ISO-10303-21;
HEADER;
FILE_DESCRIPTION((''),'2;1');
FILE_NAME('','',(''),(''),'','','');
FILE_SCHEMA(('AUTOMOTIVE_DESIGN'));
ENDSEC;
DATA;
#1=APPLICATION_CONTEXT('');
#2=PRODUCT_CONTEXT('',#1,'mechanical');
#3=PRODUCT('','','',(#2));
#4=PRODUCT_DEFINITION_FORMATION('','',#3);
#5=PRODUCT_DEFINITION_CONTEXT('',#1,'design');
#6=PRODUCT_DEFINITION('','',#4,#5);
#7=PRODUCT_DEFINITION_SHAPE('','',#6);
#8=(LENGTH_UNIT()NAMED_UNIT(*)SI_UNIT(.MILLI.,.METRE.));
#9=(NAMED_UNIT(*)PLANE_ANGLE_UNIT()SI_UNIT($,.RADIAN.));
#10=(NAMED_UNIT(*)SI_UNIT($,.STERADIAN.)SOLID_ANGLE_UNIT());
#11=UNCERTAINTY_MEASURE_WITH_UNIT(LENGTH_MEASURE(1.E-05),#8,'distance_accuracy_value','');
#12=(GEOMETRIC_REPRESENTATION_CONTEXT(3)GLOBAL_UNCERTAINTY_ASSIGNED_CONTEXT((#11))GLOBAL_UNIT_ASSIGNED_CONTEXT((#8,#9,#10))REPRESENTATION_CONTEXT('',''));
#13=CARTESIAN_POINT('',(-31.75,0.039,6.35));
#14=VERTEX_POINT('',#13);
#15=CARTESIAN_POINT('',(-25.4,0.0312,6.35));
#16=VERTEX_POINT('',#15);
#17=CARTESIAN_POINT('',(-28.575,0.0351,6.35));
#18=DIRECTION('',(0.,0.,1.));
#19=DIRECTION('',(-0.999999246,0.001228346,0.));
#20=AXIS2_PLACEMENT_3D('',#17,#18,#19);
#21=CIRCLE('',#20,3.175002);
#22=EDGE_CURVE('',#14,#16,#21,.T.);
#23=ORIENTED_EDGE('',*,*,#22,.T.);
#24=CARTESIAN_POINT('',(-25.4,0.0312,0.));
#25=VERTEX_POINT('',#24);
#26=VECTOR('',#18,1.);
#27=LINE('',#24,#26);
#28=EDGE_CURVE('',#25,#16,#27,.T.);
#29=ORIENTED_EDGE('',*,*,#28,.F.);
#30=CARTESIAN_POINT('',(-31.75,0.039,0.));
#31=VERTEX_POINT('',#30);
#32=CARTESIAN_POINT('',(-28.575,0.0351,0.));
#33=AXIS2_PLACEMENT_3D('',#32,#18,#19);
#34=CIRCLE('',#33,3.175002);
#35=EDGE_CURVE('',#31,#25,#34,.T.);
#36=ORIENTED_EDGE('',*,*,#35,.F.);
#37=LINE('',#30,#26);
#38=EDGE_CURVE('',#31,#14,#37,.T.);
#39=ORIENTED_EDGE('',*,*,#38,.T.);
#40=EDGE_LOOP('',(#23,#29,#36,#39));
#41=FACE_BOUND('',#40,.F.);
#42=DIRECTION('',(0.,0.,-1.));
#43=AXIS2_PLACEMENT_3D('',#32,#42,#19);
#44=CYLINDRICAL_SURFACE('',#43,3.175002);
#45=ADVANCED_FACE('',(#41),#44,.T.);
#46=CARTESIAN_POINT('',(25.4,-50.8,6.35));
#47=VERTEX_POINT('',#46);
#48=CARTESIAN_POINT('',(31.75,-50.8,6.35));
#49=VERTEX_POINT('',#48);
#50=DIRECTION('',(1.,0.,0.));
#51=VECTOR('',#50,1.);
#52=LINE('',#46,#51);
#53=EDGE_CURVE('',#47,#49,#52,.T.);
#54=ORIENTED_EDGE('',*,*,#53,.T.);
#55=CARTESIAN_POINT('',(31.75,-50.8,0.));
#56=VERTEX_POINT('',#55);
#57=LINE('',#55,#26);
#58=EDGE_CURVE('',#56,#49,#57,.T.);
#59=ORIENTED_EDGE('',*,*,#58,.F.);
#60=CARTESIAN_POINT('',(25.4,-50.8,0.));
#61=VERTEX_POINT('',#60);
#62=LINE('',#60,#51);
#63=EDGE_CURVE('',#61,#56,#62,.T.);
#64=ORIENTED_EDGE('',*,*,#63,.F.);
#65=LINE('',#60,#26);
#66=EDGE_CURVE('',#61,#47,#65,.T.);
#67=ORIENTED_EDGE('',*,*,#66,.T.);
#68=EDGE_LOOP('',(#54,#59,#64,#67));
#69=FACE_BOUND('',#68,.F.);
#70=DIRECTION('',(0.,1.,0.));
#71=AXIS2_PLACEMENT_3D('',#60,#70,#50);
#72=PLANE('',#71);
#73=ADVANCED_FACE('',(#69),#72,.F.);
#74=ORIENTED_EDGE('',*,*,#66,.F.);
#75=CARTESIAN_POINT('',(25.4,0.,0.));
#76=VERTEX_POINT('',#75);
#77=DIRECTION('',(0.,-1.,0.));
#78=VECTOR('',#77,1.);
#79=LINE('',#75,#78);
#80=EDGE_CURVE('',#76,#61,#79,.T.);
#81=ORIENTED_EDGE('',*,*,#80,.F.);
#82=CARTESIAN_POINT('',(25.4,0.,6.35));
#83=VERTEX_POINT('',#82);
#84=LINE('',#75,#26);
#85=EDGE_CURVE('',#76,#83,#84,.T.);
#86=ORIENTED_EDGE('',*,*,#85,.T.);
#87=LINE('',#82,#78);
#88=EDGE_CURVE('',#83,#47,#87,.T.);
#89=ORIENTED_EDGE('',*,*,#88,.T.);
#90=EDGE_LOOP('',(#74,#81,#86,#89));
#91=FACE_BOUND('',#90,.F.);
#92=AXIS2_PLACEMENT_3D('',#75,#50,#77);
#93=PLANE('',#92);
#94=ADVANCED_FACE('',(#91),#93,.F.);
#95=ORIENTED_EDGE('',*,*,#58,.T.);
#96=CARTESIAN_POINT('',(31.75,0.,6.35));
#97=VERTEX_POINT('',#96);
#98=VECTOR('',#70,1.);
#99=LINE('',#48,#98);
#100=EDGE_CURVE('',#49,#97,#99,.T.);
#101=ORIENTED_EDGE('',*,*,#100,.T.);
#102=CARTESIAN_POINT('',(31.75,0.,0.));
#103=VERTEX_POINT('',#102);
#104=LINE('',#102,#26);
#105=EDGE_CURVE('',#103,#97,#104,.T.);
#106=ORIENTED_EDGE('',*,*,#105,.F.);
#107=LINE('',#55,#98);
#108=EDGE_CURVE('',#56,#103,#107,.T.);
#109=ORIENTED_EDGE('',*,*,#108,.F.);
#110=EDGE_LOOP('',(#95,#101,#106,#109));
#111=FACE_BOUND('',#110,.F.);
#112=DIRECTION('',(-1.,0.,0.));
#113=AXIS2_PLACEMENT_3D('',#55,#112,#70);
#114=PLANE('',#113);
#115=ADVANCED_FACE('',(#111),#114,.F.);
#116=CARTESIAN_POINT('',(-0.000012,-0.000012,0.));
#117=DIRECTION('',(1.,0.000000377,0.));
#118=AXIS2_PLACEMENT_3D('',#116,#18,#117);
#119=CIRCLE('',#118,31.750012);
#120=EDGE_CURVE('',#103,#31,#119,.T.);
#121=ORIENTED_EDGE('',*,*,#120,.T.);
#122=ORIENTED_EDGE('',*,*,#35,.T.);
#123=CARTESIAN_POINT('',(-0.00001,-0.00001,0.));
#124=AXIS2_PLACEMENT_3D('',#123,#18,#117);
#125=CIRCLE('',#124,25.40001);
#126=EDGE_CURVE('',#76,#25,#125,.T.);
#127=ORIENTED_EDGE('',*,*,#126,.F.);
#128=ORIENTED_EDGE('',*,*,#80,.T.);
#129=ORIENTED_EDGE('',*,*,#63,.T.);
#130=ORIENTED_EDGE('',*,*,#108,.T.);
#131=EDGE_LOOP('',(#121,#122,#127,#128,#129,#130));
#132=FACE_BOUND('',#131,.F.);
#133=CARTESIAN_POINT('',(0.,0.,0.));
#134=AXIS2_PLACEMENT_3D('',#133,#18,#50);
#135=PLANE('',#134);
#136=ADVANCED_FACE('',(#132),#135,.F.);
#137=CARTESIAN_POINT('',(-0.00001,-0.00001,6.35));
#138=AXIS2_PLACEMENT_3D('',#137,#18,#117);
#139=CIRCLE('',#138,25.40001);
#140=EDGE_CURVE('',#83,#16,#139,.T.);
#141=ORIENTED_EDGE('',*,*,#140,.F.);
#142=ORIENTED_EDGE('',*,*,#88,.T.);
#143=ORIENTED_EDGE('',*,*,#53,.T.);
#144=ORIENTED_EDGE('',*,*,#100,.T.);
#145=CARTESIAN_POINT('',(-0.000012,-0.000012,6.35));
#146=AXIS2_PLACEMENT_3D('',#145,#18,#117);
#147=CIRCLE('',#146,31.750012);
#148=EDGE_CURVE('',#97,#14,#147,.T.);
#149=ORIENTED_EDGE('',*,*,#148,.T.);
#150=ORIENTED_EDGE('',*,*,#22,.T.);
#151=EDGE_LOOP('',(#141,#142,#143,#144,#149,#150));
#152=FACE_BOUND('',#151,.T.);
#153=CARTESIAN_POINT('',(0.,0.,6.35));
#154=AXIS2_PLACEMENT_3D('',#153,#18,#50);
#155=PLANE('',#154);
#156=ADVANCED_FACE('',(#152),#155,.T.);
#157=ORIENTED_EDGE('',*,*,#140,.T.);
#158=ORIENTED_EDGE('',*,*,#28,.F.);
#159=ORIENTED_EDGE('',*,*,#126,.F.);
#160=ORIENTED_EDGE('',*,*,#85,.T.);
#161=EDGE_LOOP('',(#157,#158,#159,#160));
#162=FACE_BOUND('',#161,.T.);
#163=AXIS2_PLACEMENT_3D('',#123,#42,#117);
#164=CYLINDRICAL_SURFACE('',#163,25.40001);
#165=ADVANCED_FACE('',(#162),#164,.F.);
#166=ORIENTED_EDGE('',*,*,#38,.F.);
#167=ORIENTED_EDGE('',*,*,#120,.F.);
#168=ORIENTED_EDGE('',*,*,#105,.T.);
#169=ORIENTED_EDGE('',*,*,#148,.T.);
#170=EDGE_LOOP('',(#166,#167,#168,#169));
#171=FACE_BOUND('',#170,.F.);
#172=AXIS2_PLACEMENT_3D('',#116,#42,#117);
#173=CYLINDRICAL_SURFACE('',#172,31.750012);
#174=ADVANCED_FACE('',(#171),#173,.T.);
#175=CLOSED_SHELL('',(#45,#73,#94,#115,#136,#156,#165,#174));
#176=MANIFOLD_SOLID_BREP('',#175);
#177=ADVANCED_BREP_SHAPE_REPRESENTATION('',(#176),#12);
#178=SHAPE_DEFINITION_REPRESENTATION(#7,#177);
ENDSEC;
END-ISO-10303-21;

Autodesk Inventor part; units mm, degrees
ref_plane "YZ Plane" through (0, 0, 0) normal (1, 0, 0) x (0, 1, 0)
ref_plane "XZ Plane" through (0, 0, 0) normal (0, 1, 0) x (-1, 0, 0)
ref_plane "XY Plane" through (0, 0, 0) normal (0, 0, 1) x (1, 0, 0)
sketch "Sketch1" plane through (0, 0, 0) normal (0, 0, 1) x (1, 0, 0)
  arc A0 (25.4, 0) -> (-25.4, 0.0312) centre (0, 0) ccw
  arc A1 (31.75, 0) -> (-31.75, 0.039) centre (0, 0) ccw
  arc A2 (-31.75, 0.039) -> (-25.4, 0.0312) centre (-28.575, 0.0351) ccw
  line L0 (25.4, 0) -> (25.4, -50.8)
  line L1 (25.4, -50.8) -> (31.75, -50.8)
  line L2 (31.75, -50.8) -> (31.75, 0)
  line L3 (25.4, 0) -> (31.75, 0) construction
  dimension "d0" = 6.35
  dimension "d1" = 25.4
  dimension "d2" = 50.8
extrude "Extrusion1" add sketch "Sketch1" along normal blind 6.35
properties part number "HangHook" material "Steel, High Strength Low Alloy"
